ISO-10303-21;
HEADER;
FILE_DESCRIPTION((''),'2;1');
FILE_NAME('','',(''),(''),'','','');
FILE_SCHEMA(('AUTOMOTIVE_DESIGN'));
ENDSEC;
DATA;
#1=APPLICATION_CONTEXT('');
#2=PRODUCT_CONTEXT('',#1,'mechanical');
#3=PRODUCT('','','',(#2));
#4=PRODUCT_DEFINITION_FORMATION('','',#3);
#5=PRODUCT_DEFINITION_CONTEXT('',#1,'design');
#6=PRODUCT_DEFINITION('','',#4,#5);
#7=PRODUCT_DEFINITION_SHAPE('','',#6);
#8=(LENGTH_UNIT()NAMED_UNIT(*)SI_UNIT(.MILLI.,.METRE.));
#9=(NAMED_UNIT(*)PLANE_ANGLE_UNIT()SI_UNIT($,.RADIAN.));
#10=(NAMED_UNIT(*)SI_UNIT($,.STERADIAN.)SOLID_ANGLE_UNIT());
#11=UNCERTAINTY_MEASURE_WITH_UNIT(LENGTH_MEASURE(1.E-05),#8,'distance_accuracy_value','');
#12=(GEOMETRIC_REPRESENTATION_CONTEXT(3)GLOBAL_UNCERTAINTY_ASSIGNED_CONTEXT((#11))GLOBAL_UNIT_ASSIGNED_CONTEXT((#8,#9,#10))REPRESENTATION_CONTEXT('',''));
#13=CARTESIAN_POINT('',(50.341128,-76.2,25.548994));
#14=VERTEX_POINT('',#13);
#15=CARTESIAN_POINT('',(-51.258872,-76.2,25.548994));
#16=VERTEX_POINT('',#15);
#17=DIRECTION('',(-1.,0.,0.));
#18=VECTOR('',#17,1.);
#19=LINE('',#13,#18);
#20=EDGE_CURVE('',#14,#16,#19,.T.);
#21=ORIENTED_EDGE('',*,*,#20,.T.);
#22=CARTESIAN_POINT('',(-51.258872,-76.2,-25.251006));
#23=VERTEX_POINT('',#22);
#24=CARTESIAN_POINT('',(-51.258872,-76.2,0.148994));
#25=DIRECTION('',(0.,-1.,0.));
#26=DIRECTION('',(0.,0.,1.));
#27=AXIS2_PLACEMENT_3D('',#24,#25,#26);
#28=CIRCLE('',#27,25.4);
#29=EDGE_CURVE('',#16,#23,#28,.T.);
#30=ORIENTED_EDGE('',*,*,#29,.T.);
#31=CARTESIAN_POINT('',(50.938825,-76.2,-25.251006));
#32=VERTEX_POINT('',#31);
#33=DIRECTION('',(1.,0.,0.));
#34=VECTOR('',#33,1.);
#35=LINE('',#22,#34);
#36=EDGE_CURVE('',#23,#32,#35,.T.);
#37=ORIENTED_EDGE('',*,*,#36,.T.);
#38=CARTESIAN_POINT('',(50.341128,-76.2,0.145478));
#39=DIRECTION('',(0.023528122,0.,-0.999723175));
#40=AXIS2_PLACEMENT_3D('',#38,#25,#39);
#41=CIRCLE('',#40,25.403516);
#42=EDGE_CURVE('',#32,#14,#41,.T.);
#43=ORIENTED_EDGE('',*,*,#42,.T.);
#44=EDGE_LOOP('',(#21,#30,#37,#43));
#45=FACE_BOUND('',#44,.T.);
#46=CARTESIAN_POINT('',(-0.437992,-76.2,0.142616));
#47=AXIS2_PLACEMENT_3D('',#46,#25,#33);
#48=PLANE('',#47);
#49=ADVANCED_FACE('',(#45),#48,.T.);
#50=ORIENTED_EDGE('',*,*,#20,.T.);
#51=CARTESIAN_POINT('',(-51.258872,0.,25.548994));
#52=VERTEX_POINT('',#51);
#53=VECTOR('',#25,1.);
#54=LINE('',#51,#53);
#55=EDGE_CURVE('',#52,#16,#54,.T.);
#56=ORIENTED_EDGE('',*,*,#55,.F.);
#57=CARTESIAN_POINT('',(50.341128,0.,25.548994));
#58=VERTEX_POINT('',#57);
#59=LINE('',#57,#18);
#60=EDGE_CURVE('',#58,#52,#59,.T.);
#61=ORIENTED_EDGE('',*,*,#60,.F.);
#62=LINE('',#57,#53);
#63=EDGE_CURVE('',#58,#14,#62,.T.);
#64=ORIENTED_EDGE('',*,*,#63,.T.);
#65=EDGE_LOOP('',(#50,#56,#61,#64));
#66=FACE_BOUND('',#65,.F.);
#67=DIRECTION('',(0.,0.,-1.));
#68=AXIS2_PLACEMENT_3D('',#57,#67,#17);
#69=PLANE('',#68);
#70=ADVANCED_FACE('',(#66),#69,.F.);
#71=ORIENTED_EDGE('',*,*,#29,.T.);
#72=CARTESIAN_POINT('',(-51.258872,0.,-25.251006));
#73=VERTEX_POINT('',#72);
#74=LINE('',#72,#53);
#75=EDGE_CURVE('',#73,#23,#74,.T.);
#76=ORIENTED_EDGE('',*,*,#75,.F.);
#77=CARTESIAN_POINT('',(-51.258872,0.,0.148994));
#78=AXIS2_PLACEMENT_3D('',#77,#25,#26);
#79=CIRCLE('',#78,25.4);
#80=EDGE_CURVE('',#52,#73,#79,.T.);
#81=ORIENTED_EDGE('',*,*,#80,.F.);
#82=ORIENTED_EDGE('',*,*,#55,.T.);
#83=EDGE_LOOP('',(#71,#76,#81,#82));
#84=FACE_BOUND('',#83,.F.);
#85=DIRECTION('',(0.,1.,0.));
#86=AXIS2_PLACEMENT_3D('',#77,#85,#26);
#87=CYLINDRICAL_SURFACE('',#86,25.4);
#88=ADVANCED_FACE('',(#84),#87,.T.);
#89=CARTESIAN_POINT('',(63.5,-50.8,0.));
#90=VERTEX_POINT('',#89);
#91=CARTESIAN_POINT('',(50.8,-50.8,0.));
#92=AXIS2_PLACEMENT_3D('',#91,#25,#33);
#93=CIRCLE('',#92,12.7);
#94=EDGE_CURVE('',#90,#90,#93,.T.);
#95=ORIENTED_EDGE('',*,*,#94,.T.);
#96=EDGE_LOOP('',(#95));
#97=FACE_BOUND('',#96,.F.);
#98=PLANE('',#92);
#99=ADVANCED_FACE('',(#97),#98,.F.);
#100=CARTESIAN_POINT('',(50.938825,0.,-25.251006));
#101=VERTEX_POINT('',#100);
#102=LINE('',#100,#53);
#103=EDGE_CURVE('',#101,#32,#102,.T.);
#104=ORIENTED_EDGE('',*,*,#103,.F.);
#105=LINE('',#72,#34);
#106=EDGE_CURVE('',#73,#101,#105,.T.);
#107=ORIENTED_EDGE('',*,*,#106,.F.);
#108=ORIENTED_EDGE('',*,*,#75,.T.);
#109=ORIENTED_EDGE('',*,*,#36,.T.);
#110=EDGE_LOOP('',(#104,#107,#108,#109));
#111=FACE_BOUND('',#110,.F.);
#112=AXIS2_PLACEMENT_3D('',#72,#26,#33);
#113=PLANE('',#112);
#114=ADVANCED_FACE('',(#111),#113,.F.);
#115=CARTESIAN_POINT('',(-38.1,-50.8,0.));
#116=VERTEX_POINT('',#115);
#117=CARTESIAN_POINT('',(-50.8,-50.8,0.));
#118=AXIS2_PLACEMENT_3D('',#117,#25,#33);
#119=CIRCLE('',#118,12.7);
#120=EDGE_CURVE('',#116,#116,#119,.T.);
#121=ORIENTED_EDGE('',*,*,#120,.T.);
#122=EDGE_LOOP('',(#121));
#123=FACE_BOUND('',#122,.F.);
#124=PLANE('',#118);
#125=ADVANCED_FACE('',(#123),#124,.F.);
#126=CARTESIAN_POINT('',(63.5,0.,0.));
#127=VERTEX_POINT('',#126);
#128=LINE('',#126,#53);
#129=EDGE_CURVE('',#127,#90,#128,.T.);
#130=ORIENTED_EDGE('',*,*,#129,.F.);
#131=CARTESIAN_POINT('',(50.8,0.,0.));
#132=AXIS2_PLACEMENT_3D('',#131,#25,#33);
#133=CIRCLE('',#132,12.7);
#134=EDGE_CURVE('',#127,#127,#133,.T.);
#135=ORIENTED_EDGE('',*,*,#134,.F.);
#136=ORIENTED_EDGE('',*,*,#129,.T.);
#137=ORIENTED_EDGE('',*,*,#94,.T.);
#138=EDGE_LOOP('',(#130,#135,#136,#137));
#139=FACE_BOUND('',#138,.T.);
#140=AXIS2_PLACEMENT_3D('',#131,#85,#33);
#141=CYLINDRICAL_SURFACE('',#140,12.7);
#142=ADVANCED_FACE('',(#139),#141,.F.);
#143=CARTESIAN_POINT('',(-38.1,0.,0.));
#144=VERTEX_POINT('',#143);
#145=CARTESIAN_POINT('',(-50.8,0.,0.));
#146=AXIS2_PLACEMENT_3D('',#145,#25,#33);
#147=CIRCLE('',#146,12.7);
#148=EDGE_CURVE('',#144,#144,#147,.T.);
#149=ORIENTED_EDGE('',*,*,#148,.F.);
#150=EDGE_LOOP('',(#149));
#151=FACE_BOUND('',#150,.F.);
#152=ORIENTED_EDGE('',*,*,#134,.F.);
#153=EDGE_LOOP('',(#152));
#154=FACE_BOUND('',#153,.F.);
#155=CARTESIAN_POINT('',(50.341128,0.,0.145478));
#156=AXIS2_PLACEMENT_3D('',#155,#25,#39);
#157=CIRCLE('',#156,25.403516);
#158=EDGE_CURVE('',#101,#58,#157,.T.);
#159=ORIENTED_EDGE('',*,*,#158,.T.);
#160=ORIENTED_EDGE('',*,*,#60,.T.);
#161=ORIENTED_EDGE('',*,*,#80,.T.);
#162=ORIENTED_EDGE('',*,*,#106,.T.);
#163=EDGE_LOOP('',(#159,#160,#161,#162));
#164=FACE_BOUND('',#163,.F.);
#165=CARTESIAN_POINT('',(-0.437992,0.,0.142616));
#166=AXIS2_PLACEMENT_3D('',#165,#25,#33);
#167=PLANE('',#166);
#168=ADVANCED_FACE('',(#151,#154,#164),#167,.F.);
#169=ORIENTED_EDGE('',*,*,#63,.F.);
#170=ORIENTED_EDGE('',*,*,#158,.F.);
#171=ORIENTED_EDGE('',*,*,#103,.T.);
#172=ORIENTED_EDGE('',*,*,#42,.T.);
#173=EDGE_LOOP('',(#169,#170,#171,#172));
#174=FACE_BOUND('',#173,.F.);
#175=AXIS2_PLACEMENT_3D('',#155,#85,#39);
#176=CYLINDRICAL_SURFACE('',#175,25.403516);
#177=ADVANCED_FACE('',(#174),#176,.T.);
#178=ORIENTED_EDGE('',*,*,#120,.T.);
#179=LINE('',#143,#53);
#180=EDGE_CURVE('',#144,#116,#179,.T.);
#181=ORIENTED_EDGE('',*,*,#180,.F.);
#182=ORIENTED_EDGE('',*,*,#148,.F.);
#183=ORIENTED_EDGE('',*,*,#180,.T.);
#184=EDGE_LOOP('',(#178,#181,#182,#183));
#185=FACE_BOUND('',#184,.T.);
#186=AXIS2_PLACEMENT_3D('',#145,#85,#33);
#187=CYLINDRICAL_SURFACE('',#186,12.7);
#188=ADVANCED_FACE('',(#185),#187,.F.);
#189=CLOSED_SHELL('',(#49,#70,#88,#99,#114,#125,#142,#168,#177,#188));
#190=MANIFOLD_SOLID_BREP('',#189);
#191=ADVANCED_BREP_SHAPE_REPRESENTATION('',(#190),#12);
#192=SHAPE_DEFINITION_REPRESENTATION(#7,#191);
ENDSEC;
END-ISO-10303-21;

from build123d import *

# Parameters (mm, degrees)
F1_DEPTH = 76.2
F2_R     = 12.7
F3_DEPTH = 50.8


with BuildPart() as f1:
    # F0 (on Front) → F1 (new body)
    with BuildSketch(Plane.XZ):
        with BuildLine():
            Line((50.341128, 25.548994), (-51.258872, 25.548994))
            ThreePointArc((-51.258872, 25.548994), (-76.658872, 0.148994), (-51.258872, -25.251006))
            Line((-51.258872, -25.251006), (50.938825, -25.251006))
            ThreePointArc((50.938825, -25.251006), (75.742886, 0.444347), (50.341128, 25.548994))
        make_face()
    extrude(amount=F1_DEPTH)

    # F2 (on Front) → F3 (cut)
    with BuildSketch(Plane.XZ):
        with Locations((50.8, 0)):
            Circle(F2_R)
        with Locations((-50.8, 0)):
            Circle(F2_R)
    extrude(amount=F3_DEPTH, mode=Mode.SUBTRACT)


solid = f1.part
